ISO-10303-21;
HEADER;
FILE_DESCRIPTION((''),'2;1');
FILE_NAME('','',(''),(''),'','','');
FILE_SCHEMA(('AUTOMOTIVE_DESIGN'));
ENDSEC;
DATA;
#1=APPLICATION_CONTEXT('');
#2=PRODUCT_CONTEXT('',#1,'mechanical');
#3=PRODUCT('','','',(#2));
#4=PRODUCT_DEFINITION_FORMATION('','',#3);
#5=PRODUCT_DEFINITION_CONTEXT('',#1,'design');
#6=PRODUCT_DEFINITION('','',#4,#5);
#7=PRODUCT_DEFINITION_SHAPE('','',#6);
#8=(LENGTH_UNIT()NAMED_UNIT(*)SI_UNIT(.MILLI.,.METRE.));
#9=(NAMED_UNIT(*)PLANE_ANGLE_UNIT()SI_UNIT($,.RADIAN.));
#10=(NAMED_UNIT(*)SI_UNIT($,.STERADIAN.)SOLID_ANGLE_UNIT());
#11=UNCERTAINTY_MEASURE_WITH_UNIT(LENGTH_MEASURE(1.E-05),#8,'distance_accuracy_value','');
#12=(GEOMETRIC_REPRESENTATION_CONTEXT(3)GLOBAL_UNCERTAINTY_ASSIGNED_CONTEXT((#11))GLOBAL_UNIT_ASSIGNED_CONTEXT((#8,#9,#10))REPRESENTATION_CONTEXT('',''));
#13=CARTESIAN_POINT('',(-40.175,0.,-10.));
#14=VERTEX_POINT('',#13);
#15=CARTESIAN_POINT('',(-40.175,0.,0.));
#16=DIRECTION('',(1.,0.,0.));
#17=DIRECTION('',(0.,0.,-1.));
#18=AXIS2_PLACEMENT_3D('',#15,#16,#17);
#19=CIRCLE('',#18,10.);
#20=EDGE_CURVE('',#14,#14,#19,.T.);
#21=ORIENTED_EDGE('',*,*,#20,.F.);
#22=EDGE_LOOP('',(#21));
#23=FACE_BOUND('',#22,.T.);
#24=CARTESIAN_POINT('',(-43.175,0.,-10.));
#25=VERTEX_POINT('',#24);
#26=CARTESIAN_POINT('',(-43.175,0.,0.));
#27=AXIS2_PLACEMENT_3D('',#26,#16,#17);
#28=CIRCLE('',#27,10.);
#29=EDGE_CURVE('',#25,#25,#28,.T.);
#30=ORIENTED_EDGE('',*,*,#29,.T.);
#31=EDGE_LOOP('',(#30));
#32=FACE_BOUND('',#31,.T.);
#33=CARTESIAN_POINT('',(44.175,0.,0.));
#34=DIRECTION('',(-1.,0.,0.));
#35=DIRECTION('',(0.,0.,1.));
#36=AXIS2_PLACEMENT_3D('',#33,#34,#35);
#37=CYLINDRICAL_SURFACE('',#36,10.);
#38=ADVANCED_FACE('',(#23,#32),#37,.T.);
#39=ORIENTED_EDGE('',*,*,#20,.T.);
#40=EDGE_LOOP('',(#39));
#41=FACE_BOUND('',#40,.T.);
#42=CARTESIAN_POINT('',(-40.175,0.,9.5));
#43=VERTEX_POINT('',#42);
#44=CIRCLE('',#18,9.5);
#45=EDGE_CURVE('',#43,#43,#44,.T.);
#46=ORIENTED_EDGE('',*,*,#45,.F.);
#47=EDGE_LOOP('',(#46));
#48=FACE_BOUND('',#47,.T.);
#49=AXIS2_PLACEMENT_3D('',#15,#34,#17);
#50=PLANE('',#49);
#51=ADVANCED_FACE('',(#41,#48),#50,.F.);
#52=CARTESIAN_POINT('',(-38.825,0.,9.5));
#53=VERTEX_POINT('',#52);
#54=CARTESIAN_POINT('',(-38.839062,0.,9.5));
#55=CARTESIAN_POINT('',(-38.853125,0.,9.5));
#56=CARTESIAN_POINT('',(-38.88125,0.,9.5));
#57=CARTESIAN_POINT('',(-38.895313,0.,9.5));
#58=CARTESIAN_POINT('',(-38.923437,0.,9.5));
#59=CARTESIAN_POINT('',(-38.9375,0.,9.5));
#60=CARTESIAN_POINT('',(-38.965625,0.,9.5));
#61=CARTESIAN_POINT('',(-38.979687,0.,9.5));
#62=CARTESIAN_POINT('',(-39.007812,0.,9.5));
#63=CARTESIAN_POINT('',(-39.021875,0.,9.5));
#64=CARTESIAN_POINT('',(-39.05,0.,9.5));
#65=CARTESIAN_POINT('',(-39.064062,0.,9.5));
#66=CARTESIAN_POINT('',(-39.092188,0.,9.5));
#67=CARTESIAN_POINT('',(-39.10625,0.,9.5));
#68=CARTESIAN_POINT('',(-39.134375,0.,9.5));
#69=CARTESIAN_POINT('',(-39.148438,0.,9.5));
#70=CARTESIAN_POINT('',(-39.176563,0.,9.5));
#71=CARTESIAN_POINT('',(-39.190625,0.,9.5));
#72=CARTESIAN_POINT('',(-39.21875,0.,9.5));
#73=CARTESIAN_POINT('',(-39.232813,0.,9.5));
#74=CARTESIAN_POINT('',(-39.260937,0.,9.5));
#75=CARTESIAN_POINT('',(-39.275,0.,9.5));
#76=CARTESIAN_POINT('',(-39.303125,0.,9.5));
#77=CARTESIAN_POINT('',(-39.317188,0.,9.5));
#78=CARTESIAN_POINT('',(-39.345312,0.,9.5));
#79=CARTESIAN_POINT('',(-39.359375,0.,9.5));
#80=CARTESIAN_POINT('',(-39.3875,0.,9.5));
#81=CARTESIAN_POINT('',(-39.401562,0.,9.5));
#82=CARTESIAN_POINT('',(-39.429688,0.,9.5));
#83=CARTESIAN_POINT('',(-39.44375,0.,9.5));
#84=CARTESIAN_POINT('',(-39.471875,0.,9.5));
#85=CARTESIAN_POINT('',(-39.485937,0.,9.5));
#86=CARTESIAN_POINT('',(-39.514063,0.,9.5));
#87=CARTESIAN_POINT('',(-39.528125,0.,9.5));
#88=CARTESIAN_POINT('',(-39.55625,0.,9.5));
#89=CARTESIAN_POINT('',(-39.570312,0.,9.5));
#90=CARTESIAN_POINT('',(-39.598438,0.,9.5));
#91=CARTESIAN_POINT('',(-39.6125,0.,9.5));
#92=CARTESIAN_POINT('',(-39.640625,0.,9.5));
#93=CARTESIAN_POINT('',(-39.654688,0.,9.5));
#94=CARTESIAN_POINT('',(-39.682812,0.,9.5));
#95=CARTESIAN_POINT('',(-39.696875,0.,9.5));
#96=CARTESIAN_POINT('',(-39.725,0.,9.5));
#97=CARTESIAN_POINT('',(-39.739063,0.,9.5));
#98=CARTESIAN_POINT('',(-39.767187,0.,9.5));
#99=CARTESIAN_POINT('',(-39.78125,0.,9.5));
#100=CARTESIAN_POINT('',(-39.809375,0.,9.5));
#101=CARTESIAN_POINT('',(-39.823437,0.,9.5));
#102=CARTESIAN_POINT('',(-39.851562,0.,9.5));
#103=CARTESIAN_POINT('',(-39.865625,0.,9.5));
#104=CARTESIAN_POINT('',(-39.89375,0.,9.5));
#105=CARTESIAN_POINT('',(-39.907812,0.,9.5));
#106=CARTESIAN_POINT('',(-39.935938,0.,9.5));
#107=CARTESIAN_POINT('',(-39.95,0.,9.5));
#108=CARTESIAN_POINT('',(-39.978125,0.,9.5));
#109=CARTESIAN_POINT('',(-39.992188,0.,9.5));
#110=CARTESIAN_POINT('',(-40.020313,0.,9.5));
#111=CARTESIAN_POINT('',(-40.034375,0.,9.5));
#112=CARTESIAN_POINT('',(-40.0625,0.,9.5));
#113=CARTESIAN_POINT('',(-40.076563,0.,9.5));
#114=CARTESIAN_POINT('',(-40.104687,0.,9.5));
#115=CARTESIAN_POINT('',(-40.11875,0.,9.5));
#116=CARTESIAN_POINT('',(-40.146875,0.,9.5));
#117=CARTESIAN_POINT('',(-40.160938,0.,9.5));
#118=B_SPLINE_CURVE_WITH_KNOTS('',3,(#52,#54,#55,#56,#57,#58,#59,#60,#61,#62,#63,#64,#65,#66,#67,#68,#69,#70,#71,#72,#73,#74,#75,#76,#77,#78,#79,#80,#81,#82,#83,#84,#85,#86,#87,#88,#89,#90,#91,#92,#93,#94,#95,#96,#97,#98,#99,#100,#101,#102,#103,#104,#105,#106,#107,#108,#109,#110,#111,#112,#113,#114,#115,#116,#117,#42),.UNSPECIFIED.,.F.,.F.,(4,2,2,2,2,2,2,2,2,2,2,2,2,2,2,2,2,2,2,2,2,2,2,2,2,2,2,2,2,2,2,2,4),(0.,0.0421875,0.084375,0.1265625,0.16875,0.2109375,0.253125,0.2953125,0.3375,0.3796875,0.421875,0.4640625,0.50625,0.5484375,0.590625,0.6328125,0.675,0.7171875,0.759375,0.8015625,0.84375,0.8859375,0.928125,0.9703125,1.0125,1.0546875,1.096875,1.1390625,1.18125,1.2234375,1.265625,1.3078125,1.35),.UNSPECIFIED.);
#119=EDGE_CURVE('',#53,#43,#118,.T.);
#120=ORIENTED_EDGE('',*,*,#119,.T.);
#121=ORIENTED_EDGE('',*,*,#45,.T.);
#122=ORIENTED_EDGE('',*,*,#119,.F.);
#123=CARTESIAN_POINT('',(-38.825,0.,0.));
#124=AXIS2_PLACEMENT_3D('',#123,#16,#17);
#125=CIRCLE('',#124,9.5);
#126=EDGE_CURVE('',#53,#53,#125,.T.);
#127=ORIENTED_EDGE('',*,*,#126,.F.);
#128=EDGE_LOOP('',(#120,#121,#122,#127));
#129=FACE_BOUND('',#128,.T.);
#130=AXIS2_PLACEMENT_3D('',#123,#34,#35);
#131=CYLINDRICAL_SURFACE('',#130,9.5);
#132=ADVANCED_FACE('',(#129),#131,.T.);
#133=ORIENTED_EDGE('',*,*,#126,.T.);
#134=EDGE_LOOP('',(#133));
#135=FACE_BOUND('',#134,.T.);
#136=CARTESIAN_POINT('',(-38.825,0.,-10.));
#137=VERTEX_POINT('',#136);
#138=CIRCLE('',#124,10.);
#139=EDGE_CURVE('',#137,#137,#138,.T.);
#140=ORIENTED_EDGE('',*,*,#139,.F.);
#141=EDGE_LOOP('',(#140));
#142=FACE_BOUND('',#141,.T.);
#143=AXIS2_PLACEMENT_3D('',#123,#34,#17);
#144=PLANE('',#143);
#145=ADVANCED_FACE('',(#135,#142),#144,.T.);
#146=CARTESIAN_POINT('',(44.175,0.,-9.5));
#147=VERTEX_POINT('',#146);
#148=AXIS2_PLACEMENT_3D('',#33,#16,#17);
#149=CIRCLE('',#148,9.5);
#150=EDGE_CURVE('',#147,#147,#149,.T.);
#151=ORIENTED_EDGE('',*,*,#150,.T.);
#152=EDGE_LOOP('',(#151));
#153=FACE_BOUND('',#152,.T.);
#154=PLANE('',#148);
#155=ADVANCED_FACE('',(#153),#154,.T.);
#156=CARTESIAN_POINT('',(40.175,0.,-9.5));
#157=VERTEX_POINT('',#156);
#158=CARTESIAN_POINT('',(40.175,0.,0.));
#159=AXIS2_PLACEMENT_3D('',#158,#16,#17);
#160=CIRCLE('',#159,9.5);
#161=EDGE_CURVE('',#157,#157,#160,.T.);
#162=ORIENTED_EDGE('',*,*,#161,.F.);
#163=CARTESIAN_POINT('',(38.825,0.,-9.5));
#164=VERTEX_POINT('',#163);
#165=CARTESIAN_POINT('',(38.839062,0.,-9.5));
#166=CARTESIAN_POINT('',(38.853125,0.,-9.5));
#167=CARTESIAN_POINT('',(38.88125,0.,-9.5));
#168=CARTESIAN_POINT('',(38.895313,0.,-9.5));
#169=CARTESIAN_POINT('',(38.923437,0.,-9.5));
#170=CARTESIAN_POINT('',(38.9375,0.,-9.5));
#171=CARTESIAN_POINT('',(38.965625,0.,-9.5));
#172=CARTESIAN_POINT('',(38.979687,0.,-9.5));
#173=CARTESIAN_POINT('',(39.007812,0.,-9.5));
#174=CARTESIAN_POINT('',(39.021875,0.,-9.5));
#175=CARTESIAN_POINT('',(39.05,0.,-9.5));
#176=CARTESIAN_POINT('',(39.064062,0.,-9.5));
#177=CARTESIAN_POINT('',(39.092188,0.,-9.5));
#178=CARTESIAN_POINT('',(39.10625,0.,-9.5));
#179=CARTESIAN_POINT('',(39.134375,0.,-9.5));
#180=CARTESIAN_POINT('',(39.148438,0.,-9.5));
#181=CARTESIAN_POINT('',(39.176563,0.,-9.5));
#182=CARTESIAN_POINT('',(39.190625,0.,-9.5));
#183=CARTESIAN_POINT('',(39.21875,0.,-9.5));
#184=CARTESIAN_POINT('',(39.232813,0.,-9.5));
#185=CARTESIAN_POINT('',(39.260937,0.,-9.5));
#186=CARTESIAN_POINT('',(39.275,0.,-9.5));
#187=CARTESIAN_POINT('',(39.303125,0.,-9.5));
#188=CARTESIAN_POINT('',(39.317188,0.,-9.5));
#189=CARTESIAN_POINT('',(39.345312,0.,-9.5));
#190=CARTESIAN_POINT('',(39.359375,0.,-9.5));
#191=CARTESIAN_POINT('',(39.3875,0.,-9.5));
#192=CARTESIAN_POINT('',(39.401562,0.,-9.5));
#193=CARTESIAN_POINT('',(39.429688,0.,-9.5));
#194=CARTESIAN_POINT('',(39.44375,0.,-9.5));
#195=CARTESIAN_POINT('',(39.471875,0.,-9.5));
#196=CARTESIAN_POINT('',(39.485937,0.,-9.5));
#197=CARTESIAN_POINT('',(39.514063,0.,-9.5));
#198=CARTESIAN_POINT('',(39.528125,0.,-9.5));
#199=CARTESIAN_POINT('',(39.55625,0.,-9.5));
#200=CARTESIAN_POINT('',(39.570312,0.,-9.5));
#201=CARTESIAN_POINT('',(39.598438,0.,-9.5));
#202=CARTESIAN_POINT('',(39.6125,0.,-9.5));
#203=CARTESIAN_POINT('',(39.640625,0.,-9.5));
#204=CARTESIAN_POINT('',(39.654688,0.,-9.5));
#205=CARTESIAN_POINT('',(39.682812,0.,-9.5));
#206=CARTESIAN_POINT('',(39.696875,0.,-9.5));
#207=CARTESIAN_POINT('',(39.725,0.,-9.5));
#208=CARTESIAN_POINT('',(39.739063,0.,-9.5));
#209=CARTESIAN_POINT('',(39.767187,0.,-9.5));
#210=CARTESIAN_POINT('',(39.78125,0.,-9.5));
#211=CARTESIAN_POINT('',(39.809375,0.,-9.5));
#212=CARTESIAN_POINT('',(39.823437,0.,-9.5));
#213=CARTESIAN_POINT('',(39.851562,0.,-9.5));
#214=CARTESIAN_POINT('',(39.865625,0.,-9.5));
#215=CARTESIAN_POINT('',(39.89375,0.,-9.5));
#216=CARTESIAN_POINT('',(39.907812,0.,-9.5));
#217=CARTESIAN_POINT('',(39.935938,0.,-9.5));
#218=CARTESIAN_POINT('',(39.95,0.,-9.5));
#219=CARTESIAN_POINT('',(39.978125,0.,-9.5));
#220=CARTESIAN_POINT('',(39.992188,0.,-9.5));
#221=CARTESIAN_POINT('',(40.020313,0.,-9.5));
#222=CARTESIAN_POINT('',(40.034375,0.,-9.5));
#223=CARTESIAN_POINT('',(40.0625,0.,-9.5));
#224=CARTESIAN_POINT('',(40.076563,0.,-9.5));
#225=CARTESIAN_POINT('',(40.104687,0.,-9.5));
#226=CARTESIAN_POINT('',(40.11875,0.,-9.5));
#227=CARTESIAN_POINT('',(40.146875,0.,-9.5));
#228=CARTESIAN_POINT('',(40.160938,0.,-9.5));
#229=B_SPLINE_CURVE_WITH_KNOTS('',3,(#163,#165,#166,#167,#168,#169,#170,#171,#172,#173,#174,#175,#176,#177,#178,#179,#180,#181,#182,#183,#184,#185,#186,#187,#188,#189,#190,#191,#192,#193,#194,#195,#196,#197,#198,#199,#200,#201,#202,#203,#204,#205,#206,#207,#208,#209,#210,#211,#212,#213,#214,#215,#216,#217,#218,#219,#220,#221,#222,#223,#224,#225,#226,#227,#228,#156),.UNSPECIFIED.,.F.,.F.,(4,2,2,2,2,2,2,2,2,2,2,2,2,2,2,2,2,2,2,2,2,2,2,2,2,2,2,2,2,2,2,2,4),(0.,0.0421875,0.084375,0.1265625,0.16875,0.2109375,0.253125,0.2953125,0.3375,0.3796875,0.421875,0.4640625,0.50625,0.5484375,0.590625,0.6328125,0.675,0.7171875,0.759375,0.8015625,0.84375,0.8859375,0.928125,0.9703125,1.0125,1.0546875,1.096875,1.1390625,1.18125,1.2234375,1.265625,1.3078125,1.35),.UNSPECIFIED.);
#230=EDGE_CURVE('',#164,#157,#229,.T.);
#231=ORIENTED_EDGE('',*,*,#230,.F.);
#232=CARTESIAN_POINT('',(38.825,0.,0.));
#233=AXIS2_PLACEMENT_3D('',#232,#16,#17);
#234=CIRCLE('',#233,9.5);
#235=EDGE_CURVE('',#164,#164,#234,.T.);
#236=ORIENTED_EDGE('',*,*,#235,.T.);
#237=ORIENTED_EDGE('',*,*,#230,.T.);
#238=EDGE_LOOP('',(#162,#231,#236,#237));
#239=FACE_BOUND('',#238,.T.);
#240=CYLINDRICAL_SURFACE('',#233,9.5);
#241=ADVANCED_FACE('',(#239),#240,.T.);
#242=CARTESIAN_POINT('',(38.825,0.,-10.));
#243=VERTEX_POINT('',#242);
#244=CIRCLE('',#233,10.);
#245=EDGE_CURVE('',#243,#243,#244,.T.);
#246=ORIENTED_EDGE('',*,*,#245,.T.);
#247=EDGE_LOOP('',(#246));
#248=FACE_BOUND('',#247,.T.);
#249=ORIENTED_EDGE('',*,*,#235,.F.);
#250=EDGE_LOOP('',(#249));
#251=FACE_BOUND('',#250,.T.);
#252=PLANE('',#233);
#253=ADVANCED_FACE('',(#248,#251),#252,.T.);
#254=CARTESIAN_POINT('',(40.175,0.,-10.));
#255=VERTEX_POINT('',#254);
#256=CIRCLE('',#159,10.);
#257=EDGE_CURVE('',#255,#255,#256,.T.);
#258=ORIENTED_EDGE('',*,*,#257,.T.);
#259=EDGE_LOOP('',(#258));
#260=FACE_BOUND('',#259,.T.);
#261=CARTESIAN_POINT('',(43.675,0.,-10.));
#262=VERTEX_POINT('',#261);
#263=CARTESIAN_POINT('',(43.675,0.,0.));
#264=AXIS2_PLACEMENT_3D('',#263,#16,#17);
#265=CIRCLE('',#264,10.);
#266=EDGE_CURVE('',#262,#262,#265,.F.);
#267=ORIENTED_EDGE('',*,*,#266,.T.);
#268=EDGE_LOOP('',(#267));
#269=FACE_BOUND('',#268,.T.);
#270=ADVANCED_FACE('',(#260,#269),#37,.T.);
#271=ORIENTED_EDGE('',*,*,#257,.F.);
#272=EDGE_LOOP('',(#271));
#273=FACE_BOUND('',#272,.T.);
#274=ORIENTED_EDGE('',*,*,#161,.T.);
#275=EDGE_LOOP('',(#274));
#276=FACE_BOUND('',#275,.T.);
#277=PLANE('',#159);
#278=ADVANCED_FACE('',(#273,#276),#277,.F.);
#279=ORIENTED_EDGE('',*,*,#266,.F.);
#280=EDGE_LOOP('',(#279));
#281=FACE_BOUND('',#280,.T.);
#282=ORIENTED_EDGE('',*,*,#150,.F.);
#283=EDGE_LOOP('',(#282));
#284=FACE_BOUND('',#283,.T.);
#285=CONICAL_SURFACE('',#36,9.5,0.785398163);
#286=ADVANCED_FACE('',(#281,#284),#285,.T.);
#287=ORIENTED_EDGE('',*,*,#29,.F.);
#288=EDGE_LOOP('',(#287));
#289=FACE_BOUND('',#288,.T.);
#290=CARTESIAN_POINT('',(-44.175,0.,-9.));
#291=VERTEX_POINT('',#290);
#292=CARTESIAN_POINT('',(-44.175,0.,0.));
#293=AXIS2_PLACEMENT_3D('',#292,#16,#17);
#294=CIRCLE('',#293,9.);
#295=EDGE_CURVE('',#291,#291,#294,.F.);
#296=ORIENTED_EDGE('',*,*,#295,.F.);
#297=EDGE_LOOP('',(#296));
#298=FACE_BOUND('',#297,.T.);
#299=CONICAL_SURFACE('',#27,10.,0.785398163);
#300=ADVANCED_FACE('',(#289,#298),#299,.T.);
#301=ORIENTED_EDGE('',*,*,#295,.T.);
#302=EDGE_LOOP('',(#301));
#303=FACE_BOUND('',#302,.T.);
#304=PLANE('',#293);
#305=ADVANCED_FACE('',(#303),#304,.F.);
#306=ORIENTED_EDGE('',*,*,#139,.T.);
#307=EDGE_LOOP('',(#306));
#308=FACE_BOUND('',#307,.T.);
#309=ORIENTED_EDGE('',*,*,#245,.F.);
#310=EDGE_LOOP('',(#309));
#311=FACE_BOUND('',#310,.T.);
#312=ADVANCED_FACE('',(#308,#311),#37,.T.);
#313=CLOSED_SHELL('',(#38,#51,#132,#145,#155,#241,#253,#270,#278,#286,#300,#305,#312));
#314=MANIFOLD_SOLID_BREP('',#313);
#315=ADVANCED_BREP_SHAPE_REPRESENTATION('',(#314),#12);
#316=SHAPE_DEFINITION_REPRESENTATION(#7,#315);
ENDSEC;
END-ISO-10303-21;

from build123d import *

# Parameters (mm, degrees)
SKETCH1_R           = 10
BOSS_EXTRUDE1_DEPTH = 44.175
SKETCH2_R           = 10
SKETCH2_R_2         = 9.5
CUT_EXTRUDE1_DEPTH  = 1.35
CHAMFER1_SIZE       = 0.5
CHAMFER2_SIZE       = 1


with BuildPart() as part:
    # Sketch1 → Boss-Extrude1 (new, symmetric)
    with BuildSketch(Plane(origin=(0, 0, 0), x_dir=(0, 0, -1), z_dir=(1, 0, 0))):
        Circle(SKETCH1_R)
    extrude(amount=BOSS_EXTRUDE1_DEPTH, both=True)

    # Sketch2 → Cut-Extrude1 (cut)
    with BuildSketch(Plane(origin=(40.175, 0, 0), x_dir=(0, 0, -1), z_dir=(1, 0, 0))):
        Circle(SKETCH2_R)
        Circle(SKETCH2_R_2, mode=Mode.SUBTRACT)
    cut_extrude1 = extrude(amount=-CUT_EXTRUDE1_DEPTH, mode=Mode.SUBTRACT)

    # Chamfer1
    chamfer1_edges = [part.edges().sort_by_distance(p)[0] for p in [
        (44.175, 0, 10),
    ]]
    chamfer(chamfer1_edges, length=CHAMFER1_SIZE)

    # Chamfer2
    chamfer2_edges = [part.edges().sort_by_distance(p)[0] for p in [
        (-44.175, 0, 10),
    ]]
    chamfer(chamfer2_edges, length=CHAMFER2_SIZE)

    # Mirror1: Cut-Extrude1 across plane
    add(cut_extrude1.mirror(Plane(origin=(0, 0, 0), x_dir=(0, 0, 1), z_dir=(1, 0, 0))), mode=Mode.SUBTRACT)


solid = part.part
